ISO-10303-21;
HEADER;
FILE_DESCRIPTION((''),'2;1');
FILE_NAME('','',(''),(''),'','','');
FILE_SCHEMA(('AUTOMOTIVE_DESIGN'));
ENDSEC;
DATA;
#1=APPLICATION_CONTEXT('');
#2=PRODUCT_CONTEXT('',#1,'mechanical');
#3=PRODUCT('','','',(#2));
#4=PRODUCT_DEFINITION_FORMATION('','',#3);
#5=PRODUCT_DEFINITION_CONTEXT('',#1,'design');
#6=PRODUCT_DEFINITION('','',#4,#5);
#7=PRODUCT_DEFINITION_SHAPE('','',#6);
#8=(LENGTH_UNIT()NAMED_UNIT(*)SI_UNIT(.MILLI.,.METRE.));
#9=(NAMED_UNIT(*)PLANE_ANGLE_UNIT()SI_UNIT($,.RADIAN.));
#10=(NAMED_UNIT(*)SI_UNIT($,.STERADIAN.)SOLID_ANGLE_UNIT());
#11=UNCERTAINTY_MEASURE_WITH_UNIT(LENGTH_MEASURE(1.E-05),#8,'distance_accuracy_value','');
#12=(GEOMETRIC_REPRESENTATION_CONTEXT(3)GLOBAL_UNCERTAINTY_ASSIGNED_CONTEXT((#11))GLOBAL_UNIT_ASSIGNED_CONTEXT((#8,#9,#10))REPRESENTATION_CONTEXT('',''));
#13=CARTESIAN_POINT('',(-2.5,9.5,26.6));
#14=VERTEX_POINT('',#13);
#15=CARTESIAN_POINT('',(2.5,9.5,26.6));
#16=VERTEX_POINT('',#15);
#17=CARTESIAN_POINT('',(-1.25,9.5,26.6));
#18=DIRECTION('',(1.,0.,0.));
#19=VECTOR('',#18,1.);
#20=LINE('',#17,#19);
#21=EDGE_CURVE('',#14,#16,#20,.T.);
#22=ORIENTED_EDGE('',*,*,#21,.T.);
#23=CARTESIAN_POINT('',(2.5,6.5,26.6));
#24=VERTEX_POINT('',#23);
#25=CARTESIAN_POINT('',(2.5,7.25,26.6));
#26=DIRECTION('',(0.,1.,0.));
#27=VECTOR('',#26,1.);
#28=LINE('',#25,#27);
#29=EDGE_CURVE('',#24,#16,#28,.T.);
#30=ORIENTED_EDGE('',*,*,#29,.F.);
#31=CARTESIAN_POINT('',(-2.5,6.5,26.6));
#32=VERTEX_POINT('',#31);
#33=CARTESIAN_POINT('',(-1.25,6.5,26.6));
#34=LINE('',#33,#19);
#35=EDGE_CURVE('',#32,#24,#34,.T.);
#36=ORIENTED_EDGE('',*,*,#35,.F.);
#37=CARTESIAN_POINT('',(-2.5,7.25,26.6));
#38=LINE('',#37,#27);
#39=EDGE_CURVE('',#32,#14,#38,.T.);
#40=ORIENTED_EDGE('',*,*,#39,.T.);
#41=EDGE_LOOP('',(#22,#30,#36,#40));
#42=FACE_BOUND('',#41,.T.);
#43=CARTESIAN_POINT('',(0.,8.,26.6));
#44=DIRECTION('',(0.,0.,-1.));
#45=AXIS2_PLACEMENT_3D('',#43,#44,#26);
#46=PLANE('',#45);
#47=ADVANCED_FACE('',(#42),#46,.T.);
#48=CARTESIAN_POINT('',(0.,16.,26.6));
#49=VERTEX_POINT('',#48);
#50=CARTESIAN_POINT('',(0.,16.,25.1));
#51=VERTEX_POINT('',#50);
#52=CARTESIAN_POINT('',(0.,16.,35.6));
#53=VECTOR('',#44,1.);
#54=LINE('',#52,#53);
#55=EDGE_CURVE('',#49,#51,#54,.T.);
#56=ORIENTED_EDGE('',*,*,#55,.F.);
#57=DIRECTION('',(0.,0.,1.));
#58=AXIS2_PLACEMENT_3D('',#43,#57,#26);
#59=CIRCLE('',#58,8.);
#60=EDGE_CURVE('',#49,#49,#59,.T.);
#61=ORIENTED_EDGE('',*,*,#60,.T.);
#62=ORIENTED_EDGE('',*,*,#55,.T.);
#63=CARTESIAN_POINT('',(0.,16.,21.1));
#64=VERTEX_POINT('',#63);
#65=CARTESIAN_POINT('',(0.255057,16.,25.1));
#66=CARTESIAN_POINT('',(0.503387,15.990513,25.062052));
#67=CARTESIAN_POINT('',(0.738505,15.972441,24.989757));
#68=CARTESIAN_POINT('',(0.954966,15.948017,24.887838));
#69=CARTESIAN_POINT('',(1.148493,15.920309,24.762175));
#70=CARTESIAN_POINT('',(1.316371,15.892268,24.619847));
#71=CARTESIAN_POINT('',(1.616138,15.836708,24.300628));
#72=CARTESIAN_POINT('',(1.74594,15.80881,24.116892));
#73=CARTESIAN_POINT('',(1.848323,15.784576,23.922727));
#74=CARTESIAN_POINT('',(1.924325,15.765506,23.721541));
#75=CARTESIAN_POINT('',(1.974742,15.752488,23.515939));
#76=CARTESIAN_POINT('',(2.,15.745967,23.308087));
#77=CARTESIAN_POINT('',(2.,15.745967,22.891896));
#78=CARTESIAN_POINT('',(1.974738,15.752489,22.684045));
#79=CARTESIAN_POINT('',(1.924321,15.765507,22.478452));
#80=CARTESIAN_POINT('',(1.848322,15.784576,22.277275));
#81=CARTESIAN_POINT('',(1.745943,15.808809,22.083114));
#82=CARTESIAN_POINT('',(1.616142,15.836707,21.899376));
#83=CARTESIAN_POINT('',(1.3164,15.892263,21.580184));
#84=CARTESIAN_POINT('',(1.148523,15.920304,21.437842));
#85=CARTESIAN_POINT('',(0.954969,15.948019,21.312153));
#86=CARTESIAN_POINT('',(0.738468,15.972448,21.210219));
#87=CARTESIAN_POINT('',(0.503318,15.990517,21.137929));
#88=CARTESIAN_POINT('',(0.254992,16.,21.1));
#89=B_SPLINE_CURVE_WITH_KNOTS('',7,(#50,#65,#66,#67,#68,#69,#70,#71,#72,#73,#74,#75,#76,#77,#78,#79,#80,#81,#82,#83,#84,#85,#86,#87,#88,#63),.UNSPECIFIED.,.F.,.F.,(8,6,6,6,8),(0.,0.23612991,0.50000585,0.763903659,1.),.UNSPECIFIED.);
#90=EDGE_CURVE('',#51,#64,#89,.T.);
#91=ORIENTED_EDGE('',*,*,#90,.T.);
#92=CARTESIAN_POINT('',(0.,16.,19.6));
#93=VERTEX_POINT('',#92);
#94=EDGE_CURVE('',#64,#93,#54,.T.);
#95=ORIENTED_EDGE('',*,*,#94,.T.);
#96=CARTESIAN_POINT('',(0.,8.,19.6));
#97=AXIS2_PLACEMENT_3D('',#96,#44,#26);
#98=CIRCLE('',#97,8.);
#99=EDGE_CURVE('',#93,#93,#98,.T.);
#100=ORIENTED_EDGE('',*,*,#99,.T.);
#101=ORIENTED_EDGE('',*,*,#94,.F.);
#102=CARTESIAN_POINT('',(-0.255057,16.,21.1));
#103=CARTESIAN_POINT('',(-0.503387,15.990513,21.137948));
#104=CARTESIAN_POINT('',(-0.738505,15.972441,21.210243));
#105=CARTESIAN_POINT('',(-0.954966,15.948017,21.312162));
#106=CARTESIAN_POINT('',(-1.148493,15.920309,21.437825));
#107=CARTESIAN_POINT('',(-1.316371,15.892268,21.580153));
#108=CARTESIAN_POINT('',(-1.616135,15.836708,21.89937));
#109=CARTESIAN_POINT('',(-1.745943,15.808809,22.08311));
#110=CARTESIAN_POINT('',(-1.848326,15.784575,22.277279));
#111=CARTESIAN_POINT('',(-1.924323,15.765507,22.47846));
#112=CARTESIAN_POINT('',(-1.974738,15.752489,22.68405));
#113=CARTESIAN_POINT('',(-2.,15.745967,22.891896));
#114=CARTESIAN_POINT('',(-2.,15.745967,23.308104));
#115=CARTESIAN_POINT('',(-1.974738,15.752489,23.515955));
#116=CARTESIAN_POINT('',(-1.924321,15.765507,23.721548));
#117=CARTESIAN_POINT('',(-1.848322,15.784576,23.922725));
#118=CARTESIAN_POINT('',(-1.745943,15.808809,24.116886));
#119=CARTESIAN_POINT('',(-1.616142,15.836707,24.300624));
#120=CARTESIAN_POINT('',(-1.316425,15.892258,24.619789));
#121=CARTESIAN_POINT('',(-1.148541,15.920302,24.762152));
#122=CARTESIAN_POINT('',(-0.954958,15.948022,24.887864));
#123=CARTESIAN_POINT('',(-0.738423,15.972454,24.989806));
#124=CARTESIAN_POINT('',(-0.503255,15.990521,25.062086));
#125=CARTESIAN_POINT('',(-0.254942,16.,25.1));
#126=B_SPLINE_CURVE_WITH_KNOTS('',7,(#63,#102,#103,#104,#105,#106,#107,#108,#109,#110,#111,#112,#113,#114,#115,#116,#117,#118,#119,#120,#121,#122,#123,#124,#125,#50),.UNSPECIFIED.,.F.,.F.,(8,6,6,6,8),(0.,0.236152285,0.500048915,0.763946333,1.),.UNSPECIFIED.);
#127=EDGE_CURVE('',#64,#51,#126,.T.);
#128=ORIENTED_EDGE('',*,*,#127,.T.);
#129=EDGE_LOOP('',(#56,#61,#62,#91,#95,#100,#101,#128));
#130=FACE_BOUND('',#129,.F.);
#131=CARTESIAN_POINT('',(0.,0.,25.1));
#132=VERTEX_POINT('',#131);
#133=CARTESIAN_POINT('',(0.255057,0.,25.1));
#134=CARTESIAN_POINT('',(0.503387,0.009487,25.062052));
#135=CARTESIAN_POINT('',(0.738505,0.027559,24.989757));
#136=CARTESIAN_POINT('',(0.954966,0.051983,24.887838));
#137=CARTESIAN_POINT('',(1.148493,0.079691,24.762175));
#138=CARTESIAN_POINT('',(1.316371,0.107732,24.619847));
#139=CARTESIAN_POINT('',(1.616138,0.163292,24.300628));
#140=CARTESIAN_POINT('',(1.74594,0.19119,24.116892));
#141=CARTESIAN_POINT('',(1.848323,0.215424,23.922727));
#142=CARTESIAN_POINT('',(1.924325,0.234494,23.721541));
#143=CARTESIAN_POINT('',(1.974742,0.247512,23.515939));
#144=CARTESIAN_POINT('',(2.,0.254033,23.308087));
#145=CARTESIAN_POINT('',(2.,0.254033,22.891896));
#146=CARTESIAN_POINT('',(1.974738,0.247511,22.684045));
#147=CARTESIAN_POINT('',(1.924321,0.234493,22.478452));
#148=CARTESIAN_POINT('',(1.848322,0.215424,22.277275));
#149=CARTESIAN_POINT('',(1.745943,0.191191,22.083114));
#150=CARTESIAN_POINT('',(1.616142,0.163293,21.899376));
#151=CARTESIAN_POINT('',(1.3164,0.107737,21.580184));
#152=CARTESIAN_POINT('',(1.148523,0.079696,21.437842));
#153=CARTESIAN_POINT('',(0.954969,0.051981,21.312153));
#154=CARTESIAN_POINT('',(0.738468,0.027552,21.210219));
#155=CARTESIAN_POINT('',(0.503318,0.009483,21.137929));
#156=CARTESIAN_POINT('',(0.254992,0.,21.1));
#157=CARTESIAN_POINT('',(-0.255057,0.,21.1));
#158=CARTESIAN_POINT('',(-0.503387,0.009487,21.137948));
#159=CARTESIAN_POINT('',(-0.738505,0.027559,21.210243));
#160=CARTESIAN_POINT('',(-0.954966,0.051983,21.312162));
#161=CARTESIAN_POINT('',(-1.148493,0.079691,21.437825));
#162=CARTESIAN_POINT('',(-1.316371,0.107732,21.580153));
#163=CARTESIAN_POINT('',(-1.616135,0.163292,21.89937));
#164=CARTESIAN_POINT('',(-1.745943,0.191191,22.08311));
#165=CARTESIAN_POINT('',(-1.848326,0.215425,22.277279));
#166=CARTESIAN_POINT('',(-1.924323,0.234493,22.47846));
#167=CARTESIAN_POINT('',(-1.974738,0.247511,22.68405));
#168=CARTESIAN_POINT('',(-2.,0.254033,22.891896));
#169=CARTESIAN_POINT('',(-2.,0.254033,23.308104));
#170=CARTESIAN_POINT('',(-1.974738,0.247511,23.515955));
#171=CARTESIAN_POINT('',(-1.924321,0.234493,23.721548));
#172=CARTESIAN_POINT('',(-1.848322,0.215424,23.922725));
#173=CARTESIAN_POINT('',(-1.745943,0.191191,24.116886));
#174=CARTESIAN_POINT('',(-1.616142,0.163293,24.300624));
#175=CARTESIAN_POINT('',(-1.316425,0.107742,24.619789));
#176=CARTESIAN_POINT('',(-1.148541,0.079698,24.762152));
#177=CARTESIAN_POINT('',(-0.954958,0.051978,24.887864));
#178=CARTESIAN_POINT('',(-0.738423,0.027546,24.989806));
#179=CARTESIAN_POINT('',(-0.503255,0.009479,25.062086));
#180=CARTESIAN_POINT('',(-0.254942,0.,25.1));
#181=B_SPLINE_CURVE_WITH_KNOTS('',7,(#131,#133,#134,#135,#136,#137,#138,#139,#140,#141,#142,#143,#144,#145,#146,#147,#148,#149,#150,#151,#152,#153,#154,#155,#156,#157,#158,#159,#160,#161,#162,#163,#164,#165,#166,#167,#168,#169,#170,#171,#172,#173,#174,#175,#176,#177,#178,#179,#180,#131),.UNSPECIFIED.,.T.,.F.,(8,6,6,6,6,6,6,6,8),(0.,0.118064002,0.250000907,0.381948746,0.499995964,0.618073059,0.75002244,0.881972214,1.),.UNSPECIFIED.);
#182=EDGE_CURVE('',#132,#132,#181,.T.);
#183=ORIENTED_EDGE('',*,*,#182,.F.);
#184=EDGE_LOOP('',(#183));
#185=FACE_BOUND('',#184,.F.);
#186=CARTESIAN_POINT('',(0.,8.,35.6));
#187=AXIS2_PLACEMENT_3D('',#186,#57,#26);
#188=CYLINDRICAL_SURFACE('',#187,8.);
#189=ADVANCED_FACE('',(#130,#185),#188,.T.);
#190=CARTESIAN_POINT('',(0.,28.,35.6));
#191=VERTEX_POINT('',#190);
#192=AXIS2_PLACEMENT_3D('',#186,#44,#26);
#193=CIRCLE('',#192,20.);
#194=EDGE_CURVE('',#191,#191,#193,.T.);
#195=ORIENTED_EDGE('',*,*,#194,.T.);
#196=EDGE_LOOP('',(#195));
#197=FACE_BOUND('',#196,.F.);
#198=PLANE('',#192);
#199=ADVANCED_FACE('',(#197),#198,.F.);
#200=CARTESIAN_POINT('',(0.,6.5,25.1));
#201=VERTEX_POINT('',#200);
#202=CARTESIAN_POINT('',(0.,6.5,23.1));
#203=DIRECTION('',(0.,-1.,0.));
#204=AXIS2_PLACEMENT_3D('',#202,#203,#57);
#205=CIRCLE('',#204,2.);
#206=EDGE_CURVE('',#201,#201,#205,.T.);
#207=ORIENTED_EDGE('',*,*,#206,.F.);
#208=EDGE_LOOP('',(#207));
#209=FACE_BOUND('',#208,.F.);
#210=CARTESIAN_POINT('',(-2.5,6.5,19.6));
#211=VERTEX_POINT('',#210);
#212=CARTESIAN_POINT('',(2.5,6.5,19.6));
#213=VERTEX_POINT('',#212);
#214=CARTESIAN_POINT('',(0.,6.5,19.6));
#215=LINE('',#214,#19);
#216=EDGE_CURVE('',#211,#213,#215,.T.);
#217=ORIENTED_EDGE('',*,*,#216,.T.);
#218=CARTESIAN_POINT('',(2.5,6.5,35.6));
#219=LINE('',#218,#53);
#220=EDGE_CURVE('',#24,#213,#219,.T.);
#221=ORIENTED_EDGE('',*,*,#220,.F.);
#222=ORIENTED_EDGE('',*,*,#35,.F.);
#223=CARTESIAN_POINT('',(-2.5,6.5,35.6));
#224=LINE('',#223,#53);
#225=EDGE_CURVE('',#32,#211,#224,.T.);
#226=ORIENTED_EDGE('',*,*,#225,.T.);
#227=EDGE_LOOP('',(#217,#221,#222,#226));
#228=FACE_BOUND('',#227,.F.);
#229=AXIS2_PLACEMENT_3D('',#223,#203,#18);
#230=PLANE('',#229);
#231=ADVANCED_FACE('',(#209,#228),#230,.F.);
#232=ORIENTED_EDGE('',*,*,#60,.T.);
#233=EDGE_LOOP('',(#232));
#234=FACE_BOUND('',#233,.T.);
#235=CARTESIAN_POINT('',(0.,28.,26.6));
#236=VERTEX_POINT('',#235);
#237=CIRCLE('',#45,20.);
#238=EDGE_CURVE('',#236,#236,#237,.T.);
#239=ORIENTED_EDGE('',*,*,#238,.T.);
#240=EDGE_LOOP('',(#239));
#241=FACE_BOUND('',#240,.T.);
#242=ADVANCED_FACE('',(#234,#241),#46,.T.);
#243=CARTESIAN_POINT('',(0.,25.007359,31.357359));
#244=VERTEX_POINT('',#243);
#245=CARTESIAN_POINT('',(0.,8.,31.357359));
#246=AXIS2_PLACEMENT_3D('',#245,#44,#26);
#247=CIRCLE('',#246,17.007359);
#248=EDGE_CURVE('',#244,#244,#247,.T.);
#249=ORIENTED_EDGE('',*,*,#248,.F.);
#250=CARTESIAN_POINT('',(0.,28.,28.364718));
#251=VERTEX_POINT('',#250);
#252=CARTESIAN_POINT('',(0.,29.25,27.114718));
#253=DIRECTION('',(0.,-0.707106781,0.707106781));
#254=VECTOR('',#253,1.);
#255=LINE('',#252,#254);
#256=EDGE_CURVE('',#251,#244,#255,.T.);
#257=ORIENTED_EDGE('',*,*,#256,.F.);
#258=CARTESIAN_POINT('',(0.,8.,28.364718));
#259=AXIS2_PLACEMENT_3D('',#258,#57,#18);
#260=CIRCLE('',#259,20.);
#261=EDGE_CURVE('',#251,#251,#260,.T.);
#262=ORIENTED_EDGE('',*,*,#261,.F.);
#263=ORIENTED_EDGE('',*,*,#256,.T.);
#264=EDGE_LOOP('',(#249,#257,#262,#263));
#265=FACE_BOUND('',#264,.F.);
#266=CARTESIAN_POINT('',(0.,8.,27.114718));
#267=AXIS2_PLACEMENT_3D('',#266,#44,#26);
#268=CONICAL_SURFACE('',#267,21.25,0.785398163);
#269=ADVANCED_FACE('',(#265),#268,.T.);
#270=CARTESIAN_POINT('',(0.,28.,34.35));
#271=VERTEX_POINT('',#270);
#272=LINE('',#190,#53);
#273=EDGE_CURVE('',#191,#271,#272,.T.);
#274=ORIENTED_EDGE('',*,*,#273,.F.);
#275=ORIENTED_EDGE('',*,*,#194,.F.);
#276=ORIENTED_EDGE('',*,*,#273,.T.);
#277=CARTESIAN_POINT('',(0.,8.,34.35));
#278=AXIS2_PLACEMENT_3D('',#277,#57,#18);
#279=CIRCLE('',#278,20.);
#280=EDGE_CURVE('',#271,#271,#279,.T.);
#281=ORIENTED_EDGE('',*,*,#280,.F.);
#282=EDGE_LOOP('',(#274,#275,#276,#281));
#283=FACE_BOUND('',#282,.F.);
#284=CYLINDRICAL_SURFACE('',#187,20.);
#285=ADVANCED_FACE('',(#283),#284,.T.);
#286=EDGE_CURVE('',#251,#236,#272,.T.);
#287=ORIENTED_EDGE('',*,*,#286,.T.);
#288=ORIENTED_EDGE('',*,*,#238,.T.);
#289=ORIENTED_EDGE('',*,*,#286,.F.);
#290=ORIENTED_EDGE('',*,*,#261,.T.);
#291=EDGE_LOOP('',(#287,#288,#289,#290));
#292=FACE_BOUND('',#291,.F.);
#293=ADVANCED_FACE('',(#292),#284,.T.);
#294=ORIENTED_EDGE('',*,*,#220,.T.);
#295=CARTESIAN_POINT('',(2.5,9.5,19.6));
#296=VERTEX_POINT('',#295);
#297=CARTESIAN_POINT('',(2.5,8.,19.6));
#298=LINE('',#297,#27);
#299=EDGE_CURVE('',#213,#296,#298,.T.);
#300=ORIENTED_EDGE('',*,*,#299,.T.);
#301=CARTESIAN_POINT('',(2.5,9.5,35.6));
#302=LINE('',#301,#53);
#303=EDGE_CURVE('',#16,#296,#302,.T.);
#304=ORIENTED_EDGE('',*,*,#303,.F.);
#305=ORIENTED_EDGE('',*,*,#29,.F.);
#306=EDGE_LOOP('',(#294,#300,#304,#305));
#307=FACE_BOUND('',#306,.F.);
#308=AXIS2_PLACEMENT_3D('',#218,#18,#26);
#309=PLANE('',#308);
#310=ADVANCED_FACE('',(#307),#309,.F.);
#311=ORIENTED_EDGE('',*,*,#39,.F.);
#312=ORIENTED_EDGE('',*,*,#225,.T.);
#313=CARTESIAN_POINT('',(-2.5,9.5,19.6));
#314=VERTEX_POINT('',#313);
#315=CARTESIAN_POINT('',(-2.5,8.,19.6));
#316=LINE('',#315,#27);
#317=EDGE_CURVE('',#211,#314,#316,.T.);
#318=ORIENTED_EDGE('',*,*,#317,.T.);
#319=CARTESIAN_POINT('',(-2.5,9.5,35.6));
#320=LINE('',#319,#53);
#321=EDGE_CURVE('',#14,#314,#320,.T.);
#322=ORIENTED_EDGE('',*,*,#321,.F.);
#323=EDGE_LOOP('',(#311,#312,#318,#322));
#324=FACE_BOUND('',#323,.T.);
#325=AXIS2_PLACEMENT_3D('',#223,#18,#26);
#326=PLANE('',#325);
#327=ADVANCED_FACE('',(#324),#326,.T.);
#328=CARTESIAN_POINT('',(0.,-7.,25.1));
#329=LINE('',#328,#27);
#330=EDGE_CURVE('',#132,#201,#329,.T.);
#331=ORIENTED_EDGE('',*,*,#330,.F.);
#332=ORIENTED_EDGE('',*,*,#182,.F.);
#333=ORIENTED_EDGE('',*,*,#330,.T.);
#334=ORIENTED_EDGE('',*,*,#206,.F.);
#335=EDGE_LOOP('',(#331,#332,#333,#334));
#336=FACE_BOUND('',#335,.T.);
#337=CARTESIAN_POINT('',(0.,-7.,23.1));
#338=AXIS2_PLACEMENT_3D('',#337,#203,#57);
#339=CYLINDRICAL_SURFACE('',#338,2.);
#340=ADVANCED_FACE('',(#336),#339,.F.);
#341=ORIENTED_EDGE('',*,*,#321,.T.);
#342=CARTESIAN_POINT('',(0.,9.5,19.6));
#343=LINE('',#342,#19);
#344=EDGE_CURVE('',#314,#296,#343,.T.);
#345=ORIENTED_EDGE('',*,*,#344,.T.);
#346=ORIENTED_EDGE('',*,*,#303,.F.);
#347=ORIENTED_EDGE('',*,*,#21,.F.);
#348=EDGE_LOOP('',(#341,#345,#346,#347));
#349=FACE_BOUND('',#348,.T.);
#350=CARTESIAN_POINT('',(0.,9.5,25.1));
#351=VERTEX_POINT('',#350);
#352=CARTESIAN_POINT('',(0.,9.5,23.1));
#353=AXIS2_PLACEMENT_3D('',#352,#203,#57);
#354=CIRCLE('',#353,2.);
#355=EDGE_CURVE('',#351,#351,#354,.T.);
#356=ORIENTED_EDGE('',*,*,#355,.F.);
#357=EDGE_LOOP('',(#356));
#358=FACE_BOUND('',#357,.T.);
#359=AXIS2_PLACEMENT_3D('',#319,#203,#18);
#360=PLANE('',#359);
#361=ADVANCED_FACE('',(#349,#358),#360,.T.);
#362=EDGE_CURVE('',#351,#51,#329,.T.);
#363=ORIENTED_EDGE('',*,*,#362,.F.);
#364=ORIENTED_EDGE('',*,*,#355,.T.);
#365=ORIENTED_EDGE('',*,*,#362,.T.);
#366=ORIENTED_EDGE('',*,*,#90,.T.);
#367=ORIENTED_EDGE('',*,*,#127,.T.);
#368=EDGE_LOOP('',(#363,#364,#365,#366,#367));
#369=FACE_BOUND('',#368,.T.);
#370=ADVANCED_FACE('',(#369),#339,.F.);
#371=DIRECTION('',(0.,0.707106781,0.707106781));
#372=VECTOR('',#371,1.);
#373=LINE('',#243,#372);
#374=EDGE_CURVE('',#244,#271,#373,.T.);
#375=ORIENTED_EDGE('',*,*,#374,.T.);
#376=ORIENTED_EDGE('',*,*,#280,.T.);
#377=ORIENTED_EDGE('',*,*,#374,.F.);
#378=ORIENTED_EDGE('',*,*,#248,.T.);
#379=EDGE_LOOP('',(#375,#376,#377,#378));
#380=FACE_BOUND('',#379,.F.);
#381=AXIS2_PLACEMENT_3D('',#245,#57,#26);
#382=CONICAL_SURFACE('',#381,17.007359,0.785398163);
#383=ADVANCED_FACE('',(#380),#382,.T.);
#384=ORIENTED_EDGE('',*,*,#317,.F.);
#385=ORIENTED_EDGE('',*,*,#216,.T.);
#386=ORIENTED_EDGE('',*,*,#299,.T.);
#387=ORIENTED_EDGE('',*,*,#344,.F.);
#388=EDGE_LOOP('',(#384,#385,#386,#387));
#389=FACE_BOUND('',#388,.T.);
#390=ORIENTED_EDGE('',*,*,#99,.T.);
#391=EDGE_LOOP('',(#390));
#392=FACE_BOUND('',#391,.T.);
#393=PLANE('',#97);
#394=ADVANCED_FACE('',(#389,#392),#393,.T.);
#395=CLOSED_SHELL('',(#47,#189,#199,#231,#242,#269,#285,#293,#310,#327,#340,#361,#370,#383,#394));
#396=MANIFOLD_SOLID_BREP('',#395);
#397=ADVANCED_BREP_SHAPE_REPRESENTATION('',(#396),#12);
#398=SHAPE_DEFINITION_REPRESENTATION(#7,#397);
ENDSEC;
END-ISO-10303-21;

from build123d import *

# Parameters (mm, degrees)
CYLINDER002_R                 = 2
CYLINDER002_DEPTH             = 30
CYLINDER002_PITCH_ANGLE       = 90
ROTATEEXTRUDE_ROLL_ANGLE      = 90
CYLINDER001_R                 = 20
CYLINDER001_DEPTH             = 9
CUBE_W                        = 3
CUBE_H                        = 5
CUBE_DEPTH                    = 16
CYLINDER_R                    = 8
CYLINDER_DEPTH                = 16
DIFFERENCE002_ROLL_ANGLE      = 180
DIFFERENCE002_PLACEMENT_ANGLE = 90


with BuildPart() as cylinder002:
    # cylinder002 → cylinder002 (new body)
    with BuildSketch(Plane.XY):
        Circle(CYLINDER002_R)
    extrude(amount=CYLINDER002_DEPTH)


with BuildPart() as cylinder002_1:
    # cylinder002 pitch: moved
    add(cylinder002.part.rotate(Axis((0, 0, 0), (0, 1, 0)), CYLINDER002_PITCH_ANGLE))


with BuildPart() as cylinder002_2:
    # cylinder002 placement: moved
    add(cylinder002_1.part.moved(Location((-15, 0, 12.5))))


with BuildPart() as rotateextrude:
    # RefineRotateExtrude → RotateExtrude (revolve)
    with BuildSketch(Plane(origin=(21.25, 4.242641, 0), x_dir=(0, 1, 0), z_dir=(0, 0, 1))):
        Polygon((0, 4.242641), (-4.242641, 0), (0, -4.242641), (4.242641, 0), align=None)
    revolve(axis=Axis((0, 0, 0), (0, 1, 0)))


with BuildPart() as rotateextrude_1:
    # RotateExtrude roll: moved
    add(rotateextrude.part.rotate(Axis((0, 0, 0), (1, 0, 0)), ROTATEEXTRUDE_ROLL_ANGLE))


with BuildPart() as rotateextrude_2:
    # RotateExtrude placement: moved
    add(rotateextrude_1.part)


with BuildPart() as cylinder001:
    # cylinder001 → cylinder001 (new body)
    with BuildSketch(Plane.XY):
        Circle(CYLINDER001_R)
    extrude(amount=CYLINDER001_DEPTH)


with BuildPart() as cube:
    # cube → cube (new body)
    with BuildSketch(Plane(origin=(-1.5, -2.5, 0), x_dir=(1, 0, 0), z_dir=(0, 0, 1))):
        with Locations((1.5, 2.5)):
            Rectangle(CUBE_W, CUBE_H)
    extrude(amount=CUBE_DEPTH)


with BuildPart() as krazek:
    # cylinder → cylinder (new body)
    with BuildSketch(Plane.XY):
        Circle(CYLINDER_R)
    extrude(amount=CYLINDER_DEPTH)

    # difference: cut cube
    add(cube.part, mode=Mode.SUBTRACT)

    # Group: union cylinder001
    add(cylinder001.part)

    # difference001: cut RotateExtrude
    add(rotateextrude_2.part, mode=Mode.SUBTRACT)

    # difference002: cut cylinder002
    add(cylinder002_2.part, mode=Mode.SUBTRACT)


with BuildPart() as krazek_1:
    # difference002 roll: moved
    add(krazek.part.rotate(Axis((0, 0, 0), (1, 0, 0)), DIFFERENCE002_ROLL_ANGLE))


with BuildPart() as krazek_2:
    # difference002 placement: moved
    add(krazek_1.part.moved(Location((0, 8, 35.6))).rotate(Axis((0, 8, 35.6), (0, 0, 1)), DIFFERENCE002_PLACEMENT_ANGLE))


solid = krazek_2.part
